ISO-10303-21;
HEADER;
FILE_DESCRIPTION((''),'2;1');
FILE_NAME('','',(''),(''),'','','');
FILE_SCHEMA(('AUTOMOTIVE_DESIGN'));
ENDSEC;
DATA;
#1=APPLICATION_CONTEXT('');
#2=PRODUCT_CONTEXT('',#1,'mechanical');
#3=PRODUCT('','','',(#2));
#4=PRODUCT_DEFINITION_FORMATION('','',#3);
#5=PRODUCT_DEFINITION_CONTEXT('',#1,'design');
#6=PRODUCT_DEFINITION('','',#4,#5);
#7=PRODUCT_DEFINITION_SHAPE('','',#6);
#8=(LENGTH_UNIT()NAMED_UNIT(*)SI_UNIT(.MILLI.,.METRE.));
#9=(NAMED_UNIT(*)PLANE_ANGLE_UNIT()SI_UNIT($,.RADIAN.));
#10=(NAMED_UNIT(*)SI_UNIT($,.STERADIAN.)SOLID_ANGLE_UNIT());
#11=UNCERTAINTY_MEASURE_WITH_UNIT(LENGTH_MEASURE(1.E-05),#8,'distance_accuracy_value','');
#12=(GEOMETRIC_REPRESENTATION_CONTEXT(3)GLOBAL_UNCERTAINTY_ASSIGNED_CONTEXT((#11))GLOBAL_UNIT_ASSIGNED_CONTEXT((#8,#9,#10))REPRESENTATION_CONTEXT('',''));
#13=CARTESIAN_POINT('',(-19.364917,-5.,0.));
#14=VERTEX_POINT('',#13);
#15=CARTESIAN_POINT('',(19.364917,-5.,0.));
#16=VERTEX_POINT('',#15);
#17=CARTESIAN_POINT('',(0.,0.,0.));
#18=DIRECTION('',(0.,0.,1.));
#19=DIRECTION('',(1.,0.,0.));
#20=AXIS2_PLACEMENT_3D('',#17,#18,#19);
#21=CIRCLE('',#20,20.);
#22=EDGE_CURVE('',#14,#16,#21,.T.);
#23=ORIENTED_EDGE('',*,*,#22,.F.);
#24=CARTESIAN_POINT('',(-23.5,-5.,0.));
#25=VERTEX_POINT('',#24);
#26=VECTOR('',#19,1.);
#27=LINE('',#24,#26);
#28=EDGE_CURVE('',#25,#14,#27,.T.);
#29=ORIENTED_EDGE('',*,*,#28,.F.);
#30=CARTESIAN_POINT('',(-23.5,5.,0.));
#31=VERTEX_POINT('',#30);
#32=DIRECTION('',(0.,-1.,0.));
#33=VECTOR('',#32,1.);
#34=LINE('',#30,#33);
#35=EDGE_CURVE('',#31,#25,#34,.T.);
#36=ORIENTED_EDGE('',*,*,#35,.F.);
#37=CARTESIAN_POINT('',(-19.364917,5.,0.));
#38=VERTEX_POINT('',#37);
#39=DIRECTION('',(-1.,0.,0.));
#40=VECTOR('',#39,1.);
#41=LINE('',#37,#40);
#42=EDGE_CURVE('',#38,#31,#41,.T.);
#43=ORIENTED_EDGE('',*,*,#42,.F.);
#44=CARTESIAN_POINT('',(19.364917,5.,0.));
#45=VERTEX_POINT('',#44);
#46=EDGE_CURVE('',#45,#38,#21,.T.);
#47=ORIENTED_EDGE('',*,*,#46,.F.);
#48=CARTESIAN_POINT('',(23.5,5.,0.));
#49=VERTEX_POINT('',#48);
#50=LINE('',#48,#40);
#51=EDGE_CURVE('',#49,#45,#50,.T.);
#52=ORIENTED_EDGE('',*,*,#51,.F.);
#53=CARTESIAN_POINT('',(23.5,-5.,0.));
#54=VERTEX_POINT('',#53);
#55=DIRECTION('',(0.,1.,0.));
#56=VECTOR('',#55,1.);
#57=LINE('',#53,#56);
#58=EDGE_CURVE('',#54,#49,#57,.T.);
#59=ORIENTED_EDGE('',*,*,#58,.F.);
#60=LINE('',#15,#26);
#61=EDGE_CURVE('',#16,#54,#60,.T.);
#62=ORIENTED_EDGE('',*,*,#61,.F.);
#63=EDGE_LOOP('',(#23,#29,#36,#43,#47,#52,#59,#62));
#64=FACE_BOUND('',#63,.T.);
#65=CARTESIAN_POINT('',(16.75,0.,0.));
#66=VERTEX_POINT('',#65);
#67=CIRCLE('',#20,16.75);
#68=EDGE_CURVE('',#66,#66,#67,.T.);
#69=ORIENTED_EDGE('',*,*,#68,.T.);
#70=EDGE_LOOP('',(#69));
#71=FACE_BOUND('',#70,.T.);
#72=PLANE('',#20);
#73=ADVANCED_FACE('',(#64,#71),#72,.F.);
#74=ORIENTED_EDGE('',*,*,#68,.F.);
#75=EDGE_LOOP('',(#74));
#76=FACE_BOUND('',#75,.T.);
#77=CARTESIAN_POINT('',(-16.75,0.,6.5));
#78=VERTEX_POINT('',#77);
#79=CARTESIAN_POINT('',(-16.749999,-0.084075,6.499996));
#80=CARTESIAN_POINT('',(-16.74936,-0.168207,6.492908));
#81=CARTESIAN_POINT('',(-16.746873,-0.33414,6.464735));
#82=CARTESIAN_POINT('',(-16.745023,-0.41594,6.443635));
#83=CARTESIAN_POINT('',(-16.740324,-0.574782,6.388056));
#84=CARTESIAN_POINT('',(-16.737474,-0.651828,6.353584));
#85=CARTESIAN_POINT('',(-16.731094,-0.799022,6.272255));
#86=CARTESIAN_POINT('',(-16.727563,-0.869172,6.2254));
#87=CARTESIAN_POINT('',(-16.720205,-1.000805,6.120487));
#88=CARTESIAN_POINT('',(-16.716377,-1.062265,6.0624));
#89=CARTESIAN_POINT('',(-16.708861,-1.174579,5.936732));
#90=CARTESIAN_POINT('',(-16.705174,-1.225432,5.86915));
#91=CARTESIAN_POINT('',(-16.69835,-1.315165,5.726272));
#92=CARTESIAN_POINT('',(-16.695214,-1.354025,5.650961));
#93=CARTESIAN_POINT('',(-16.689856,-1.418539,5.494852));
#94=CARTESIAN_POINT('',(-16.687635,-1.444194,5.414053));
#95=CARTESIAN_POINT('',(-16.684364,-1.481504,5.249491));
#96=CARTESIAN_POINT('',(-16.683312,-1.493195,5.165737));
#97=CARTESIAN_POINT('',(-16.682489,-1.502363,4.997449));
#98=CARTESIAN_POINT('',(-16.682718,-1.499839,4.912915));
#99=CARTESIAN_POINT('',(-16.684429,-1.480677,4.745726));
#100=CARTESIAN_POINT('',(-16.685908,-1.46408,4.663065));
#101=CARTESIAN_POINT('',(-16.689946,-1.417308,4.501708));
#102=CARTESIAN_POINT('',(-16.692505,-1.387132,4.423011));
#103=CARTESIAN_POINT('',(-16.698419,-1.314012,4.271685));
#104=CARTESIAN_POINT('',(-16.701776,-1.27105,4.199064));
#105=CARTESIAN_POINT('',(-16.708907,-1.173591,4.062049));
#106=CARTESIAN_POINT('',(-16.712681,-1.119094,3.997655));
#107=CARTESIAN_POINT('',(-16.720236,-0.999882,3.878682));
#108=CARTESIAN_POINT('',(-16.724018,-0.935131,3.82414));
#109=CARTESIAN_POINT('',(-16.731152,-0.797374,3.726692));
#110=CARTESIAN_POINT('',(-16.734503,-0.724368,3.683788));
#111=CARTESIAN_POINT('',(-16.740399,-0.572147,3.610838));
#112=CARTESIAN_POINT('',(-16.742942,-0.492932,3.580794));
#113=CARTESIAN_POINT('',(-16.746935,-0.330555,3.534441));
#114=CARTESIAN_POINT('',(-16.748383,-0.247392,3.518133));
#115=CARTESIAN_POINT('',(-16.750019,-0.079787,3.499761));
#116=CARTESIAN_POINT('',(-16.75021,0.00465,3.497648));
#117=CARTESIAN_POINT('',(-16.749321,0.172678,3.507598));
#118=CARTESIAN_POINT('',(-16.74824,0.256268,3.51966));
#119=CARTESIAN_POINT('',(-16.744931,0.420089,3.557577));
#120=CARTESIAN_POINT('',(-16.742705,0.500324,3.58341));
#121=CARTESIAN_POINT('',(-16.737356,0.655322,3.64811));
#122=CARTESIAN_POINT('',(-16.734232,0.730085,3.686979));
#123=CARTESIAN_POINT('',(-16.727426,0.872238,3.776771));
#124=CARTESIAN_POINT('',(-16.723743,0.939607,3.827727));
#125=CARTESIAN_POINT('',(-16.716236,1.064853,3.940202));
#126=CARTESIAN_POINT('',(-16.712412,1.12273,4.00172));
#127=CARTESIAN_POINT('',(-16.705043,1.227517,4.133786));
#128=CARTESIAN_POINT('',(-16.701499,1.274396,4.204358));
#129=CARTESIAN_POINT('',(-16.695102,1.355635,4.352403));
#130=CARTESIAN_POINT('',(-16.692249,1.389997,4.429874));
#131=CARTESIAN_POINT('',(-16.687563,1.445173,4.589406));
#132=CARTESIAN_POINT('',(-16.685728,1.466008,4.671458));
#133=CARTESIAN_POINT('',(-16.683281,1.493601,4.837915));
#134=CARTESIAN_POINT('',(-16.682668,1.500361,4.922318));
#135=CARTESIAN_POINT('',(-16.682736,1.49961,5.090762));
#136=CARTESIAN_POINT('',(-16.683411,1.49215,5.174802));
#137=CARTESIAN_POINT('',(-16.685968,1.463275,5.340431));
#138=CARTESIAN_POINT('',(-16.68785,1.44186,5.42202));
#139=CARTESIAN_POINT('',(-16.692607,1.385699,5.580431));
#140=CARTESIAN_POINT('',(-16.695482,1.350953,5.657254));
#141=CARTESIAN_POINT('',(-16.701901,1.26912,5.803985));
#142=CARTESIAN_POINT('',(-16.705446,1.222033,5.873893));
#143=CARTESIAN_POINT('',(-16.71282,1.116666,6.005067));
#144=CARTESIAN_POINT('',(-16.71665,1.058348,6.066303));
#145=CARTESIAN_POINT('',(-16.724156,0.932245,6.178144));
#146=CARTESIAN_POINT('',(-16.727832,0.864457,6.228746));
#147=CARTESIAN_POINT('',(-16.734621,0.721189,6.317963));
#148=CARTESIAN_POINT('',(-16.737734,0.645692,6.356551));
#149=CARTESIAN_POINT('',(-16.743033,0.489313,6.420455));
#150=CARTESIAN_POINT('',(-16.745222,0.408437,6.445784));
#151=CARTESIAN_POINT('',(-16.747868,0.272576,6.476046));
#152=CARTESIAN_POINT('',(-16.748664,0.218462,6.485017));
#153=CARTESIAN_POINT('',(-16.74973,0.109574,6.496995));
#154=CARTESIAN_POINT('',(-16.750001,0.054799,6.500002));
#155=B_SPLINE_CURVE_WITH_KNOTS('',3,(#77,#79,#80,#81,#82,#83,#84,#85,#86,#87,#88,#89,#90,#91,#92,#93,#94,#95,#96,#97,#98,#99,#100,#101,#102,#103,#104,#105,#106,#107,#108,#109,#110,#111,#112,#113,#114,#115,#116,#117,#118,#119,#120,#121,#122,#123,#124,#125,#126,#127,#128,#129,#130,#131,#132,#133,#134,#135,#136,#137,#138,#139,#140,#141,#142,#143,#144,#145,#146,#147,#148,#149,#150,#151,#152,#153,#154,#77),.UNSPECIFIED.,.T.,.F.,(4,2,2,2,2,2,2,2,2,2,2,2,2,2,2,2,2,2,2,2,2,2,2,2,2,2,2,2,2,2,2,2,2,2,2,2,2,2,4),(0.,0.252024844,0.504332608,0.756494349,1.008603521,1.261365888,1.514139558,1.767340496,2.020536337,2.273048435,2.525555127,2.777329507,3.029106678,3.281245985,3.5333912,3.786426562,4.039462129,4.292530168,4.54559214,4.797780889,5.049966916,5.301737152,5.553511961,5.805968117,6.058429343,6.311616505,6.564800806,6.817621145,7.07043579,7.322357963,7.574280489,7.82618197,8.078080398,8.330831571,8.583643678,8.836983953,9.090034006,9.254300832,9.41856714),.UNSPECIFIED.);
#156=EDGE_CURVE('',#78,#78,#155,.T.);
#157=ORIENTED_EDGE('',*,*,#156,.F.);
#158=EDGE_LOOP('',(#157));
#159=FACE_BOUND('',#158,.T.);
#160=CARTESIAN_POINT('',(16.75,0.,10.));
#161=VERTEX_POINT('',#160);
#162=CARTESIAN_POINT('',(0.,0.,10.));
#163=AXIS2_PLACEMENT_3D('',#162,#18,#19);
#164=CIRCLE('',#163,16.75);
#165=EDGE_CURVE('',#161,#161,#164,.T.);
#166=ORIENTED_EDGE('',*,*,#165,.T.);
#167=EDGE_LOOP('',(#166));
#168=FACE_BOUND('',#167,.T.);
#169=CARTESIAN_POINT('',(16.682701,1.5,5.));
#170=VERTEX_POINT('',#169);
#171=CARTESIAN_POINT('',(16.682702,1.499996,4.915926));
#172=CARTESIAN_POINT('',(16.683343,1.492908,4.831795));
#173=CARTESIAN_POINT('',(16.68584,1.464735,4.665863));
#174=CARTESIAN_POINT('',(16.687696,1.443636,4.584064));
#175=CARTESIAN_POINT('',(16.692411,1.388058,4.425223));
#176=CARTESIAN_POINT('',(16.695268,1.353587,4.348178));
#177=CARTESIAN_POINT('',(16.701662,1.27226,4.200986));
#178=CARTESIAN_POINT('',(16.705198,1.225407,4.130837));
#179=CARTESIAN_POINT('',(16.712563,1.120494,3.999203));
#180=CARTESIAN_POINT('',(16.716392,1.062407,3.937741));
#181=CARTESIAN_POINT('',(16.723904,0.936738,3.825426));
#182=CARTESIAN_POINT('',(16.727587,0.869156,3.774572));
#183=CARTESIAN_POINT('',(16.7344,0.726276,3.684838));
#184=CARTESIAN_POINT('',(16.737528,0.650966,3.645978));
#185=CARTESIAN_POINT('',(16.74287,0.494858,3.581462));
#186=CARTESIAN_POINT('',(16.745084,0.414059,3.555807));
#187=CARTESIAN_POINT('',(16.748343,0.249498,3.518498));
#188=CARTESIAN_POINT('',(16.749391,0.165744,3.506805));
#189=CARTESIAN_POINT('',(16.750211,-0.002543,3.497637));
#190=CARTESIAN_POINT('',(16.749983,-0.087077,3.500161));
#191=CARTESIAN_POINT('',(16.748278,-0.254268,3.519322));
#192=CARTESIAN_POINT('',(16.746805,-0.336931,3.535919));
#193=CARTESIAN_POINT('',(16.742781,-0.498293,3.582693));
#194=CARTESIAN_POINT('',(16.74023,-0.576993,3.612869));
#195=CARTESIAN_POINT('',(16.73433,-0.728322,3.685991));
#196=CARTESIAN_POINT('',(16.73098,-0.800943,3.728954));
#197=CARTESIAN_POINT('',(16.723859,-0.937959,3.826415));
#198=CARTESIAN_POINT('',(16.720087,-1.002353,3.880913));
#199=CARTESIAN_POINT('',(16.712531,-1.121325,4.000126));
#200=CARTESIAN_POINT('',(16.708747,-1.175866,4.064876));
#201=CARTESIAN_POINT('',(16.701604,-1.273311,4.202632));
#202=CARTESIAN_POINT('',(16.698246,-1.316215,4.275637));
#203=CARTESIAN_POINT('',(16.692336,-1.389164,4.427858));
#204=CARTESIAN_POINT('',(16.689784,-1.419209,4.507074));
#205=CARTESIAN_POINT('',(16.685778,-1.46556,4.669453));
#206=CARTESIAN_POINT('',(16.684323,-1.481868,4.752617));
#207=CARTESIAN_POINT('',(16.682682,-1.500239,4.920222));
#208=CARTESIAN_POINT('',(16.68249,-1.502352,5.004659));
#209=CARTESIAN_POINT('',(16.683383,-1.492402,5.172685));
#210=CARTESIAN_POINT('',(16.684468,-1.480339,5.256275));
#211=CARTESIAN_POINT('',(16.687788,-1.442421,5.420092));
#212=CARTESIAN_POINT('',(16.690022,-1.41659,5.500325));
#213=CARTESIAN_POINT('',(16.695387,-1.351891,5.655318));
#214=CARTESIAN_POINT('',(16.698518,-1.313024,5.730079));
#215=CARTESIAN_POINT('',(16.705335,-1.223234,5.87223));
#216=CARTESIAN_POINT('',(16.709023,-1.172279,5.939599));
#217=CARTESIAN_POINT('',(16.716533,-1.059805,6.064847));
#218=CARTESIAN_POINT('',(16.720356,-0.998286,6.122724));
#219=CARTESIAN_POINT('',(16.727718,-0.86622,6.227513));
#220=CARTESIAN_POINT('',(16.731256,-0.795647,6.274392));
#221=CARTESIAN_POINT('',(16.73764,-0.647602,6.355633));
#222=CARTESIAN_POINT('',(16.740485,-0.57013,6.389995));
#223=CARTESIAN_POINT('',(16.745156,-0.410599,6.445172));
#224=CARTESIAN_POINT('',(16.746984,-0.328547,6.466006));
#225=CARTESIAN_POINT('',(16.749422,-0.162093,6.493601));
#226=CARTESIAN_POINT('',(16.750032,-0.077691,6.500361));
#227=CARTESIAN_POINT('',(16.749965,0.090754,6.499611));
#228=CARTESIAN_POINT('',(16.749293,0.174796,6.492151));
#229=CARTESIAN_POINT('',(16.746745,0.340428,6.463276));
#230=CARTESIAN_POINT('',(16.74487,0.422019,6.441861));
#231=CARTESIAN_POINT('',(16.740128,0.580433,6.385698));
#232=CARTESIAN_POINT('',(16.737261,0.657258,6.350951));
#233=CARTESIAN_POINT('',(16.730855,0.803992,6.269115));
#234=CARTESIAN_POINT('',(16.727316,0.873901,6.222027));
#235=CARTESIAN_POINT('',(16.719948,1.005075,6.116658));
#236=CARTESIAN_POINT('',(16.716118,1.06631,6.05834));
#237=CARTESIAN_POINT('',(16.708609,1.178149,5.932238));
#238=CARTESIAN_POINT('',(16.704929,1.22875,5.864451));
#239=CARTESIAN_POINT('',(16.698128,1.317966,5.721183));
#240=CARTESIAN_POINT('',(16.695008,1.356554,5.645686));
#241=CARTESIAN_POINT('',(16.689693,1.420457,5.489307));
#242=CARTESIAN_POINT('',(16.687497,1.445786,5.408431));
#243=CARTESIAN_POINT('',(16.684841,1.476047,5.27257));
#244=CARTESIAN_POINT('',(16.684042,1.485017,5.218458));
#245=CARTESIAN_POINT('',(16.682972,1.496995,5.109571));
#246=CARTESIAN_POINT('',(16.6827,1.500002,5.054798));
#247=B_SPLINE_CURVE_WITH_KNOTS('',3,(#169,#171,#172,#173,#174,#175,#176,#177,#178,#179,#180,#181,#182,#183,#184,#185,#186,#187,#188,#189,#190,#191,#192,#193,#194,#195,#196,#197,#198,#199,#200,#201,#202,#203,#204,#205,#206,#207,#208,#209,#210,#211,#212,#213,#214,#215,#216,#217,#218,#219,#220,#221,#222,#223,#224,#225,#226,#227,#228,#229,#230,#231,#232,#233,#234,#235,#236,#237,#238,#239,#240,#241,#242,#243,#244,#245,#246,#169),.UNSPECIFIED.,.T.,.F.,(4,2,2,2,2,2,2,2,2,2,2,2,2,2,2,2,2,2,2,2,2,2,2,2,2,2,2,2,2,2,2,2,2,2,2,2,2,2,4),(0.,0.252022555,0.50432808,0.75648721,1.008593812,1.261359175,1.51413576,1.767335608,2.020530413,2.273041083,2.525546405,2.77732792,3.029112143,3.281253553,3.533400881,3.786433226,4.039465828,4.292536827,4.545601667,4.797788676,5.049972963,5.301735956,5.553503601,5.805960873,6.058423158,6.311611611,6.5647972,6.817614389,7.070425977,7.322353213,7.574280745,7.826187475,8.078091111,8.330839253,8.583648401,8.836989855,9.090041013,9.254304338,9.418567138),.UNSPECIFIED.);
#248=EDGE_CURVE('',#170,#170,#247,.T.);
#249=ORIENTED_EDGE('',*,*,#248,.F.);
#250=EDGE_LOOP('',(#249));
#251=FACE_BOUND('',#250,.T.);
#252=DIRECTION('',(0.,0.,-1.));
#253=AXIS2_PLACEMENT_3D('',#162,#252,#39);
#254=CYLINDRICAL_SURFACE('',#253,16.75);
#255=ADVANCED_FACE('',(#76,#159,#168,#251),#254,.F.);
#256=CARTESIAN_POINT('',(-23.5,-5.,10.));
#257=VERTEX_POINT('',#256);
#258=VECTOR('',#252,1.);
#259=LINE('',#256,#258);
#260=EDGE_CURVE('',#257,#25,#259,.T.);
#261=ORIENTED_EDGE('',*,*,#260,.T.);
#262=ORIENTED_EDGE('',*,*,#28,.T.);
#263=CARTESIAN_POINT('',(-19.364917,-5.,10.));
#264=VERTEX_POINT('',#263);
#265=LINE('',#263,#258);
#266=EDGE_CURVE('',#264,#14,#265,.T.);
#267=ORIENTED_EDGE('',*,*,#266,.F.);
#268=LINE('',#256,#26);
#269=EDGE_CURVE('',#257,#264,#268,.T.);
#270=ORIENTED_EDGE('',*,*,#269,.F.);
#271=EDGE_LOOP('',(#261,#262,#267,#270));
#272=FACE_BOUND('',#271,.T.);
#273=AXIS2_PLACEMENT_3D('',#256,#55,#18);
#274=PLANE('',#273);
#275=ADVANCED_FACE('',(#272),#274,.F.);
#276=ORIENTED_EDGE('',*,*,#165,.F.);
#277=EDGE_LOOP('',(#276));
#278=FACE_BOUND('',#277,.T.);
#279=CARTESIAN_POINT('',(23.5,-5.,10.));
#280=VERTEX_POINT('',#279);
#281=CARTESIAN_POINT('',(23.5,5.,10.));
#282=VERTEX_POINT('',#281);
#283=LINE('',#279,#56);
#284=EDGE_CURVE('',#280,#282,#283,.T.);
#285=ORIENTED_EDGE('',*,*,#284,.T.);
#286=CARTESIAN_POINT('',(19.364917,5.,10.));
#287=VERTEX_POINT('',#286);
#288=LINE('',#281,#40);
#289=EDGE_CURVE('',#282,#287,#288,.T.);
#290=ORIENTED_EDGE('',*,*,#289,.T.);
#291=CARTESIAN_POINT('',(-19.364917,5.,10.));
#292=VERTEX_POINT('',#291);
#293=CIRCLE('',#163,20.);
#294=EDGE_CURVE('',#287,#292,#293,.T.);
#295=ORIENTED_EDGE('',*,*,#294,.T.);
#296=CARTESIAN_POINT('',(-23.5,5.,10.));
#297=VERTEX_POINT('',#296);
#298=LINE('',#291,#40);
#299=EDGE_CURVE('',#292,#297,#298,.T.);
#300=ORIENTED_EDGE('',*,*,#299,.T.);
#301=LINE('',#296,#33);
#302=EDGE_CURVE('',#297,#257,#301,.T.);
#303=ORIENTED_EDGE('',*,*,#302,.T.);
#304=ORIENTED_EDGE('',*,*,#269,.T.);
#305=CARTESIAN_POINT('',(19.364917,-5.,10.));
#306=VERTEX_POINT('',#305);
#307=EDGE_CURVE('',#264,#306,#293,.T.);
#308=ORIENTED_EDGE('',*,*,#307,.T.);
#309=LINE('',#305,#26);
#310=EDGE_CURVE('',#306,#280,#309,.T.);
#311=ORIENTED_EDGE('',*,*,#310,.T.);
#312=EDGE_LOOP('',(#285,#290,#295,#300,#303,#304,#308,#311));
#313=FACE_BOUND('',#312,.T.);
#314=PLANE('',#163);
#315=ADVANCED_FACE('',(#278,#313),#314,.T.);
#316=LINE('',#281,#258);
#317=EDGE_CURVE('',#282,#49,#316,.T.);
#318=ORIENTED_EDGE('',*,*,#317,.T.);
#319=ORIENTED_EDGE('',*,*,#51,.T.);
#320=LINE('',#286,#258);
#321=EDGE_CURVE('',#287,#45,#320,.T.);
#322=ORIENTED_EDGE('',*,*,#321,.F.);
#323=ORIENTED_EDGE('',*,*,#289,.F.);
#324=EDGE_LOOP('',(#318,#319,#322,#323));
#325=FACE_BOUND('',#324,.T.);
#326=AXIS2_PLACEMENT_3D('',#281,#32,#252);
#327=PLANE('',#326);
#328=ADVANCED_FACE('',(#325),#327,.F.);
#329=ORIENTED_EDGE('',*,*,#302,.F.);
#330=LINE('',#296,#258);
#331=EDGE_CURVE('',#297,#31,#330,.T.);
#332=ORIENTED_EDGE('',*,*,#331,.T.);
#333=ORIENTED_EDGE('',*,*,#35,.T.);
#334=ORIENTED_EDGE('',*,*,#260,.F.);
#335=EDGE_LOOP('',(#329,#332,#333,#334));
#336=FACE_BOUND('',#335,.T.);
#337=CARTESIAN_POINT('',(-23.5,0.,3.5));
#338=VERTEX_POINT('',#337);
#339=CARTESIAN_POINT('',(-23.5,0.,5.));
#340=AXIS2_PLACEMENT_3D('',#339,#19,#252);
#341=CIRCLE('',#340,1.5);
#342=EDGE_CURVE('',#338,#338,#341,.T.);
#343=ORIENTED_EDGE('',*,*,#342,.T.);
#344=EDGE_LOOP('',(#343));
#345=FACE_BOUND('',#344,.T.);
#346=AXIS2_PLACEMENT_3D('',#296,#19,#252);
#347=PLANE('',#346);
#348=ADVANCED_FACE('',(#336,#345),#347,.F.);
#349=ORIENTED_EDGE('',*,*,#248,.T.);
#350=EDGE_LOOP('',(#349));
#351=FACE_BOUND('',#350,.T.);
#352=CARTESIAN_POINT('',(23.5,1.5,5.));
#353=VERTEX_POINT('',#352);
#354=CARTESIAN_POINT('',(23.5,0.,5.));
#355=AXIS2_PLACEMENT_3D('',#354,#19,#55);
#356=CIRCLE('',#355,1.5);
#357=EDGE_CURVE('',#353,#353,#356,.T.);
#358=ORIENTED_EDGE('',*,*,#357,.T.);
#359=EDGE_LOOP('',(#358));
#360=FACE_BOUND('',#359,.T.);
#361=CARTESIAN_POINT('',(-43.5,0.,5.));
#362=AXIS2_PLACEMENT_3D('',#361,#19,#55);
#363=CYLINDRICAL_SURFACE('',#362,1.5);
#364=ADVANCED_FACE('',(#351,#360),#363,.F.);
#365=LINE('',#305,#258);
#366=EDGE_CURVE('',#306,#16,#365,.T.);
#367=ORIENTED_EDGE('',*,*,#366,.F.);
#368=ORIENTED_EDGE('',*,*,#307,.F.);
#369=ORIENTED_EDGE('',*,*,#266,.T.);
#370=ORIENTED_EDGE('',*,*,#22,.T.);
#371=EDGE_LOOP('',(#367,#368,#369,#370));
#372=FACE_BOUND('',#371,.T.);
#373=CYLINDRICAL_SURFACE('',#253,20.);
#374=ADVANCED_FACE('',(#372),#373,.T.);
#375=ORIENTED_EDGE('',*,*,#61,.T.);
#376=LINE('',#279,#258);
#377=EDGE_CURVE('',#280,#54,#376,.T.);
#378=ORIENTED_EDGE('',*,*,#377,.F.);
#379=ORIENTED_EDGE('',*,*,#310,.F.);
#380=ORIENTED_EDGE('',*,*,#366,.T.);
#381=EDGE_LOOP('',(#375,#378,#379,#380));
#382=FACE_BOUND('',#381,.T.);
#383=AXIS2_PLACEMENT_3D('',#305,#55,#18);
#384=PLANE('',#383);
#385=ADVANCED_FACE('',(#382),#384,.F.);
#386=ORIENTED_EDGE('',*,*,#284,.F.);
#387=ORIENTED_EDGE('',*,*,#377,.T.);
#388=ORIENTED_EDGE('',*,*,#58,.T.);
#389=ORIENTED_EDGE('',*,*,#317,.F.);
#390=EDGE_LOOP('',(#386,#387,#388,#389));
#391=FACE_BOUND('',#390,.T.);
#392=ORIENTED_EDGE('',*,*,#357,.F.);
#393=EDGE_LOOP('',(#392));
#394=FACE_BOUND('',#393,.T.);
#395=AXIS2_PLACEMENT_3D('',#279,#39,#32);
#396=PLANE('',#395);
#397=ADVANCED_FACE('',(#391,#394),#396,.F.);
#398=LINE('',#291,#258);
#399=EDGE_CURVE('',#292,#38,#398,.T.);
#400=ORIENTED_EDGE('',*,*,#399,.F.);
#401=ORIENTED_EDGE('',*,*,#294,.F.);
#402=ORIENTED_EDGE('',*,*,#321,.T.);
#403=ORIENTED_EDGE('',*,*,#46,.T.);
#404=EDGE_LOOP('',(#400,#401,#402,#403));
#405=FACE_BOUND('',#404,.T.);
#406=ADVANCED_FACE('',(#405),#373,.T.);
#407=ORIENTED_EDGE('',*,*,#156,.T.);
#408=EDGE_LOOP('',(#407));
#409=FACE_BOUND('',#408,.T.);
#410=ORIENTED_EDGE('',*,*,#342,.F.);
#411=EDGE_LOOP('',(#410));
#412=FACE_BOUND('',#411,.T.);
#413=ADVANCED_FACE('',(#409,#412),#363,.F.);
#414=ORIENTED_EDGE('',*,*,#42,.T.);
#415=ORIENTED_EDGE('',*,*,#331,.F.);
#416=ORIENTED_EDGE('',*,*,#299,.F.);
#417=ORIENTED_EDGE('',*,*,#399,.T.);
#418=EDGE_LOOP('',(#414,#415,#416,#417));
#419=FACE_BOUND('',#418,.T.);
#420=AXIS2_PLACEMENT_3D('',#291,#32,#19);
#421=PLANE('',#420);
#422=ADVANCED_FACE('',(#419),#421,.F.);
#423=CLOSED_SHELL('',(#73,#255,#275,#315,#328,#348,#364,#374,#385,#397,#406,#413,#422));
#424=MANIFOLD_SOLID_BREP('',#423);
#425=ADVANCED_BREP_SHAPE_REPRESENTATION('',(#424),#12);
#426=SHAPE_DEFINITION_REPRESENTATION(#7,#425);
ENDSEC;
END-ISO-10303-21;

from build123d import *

# Parameters (mm, degrees)
CROQUIS1_R              = 16.75
SALIENTE_EXTRUIR1_DEPTH = 10
CROQUIS2_R              = 1.5
CORTAR_EXTRUIR1_DEPTH   = 67


with BuildPart() as part:
    # Croquis1 → Saliente-Extruir1 (new body)
    with BuildSketch(Plane.XY):
        with BuildLine():
            Line((-23.5, -5), (-19.364916731, -5))
            ThreePointArc((-19.364916731, -5), (0, -20), (19.364916731, -5))
            Line((19.364916731, -5), (23.5, -5))
            Line((23.5, -5), (23.5, 5))
            Line((23.5, 5), (19.364916731, 5))
            ThreePointArc((19.364916731, 5), (0, 20), (-19.364916731, 5))
            Line((-19.364916731, 5), (-23.5, 5))
            Line((-23.5, 5), (-23.5, -5))
        make_face()
        Circle(CROQUIS1_R, mode=Mode.SUBTRACT)
    extrude(amount=SALIENTE_EXTRUIR1_DEPTH)

    # Croquis2 → Cortar-Extruir1 (cut)
    with BuildSketch(Plane(origin=(23.5, 0, 0), x_dir=(0, 0, -1), z_dir=(1, 0, 0))):
        with Locations(Location((-5, 0, 0), (0, 0, 90))):
            Circle(CROQUIS2_R)
    extrude(amount=-CORTAR_EXTRUIR1_DEPTH, mode=Mode.SUBTRACT)


solid = part.part
